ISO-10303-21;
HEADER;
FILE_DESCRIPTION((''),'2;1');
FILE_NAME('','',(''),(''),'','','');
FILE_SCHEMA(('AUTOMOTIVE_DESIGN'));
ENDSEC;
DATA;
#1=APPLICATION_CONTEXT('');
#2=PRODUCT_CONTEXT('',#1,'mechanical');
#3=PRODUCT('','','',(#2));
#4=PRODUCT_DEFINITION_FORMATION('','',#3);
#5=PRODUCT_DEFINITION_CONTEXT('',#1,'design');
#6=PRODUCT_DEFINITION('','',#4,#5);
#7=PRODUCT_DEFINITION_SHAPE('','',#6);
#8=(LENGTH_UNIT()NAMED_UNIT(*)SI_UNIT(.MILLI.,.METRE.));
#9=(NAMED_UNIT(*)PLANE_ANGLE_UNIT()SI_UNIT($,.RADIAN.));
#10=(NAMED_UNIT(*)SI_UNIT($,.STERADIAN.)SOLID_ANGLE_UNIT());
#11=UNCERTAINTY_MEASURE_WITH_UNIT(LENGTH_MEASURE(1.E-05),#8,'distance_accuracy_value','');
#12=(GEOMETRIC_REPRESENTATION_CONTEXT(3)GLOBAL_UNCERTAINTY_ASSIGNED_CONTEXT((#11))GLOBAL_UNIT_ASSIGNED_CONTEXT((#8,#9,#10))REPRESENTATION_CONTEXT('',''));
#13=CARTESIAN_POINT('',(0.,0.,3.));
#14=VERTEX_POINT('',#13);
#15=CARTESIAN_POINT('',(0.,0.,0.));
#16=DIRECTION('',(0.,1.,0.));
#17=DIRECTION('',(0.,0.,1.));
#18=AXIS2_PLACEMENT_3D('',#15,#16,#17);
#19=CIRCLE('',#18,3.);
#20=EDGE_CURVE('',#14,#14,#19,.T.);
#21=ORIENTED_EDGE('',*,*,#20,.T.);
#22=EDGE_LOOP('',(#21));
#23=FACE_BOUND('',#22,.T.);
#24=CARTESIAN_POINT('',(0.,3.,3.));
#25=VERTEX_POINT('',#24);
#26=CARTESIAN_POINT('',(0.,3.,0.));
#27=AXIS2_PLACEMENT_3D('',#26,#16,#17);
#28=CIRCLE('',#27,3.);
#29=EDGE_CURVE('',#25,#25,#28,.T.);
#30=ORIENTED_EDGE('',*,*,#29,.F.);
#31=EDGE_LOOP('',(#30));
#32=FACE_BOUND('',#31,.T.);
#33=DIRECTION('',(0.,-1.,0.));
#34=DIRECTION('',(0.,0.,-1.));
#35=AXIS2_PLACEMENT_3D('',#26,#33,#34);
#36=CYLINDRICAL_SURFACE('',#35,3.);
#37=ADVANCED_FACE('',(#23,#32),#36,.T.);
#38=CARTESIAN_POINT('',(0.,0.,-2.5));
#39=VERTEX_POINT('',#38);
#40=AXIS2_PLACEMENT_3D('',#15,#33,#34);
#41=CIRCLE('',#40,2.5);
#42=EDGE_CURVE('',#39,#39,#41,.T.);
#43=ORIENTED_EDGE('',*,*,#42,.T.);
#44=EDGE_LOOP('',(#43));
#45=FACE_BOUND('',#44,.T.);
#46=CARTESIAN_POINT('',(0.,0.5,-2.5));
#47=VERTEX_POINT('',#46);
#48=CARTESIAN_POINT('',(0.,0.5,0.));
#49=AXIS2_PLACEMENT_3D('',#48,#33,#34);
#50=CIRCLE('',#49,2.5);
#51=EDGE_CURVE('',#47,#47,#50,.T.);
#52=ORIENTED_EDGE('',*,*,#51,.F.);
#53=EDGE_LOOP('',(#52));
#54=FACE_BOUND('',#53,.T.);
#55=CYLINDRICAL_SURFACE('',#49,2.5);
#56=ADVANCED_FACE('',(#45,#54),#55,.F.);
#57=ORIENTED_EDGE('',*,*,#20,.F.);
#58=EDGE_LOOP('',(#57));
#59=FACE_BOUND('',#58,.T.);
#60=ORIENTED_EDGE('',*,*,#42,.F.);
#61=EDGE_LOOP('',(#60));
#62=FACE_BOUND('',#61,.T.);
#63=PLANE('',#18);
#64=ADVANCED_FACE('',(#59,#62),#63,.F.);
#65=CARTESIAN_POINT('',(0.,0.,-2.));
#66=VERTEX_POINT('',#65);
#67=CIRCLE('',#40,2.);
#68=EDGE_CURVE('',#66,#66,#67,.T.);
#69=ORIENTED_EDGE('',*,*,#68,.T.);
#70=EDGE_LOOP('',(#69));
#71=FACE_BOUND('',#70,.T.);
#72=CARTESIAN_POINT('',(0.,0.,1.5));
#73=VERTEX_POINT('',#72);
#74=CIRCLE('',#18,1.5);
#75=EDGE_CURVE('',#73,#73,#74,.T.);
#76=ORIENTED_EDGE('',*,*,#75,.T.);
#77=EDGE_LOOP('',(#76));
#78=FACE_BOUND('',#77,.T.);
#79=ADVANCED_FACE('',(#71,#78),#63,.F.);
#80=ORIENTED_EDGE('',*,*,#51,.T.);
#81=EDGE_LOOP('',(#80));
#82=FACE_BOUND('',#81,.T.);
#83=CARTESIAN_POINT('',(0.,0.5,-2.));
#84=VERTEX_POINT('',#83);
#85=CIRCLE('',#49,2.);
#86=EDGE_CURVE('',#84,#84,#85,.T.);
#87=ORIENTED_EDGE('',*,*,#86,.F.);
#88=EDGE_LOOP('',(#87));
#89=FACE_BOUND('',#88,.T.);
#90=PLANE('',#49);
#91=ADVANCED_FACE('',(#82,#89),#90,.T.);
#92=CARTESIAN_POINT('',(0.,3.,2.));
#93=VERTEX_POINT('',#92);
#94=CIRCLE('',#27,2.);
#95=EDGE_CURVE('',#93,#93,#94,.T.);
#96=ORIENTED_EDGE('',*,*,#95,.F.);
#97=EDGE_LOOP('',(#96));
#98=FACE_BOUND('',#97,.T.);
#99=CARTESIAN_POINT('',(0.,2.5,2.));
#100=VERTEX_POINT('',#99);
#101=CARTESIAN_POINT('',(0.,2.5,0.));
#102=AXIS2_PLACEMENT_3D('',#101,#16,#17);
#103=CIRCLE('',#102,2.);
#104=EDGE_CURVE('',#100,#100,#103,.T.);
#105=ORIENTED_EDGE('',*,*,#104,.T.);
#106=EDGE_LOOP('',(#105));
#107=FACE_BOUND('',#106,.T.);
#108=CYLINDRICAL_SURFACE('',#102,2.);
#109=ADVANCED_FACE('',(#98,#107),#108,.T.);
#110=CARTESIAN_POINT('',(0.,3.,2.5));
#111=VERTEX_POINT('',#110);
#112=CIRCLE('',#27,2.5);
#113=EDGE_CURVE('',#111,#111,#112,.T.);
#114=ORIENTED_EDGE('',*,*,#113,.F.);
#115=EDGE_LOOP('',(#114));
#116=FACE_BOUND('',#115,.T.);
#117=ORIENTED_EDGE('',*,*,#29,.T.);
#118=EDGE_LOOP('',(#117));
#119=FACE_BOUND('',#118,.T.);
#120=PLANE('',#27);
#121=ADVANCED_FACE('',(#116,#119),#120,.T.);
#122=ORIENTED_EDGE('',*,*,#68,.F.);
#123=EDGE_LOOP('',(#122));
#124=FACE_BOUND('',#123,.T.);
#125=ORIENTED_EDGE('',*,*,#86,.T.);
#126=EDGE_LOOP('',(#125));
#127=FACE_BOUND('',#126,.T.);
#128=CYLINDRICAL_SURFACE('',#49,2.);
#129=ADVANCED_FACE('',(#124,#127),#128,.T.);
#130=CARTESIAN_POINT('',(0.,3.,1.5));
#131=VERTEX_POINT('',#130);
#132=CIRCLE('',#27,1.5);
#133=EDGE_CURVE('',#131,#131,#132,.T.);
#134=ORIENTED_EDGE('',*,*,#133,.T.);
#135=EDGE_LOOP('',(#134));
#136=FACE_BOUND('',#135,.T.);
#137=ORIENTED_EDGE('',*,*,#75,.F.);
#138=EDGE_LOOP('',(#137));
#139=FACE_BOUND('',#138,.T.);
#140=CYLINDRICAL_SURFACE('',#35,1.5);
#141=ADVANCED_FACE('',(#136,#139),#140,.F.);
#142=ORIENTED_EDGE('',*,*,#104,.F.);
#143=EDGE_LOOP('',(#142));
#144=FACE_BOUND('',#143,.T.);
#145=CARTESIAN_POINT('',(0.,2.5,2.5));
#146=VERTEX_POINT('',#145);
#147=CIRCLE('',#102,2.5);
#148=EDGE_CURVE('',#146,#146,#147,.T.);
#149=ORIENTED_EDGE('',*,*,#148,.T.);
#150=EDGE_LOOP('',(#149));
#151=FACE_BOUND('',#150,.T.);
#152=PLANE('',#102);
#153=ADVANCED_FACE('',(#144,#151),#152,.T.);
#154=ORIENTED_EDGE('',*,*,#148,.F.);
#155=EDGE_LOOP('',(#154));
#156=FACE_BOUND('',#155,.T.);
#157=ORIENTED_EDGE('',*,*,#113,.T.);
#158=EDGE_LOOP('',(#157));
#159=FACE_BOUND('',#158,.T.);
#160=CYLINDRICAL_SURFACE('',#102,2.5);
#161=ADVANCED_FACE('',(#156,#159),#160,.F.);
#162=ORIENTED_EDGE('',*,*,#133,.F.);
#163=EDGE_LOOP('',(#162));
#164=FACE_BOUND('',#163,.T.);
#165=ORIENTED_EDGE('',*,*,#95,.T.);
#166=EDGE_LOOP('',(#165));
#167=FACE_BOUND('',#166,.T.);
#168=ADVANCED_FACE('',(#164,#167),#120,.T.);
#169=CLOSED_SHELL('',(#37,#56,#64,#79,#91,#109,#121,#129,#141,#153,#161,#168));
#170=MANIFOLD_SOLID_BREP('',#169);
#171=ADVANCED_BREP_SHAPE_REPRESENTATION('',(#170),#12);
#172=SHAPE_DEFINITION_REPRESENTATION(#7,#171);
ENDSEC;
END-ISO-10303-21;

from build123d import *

# Parameters (mm, degrees)
SKETCH1_R           = 3
SKETCH1_R_2         = 1.5
BOSS_EXTRUDE1_DEPTH = 3
SKETCH2_R           = 2.5
SKETCH2_R_2         = 2
CUT_EXTRUDE1_DEPTH  = 0.5
CUT_EXTRUDE2_START  = -0.5
SKETCH3_R           = 2.5
SKETCH3_R_2         = 2
CUT_EXTRUDE2_DEPTH  = 0.5


with BuildPart() as part:
    # Sketch1 → Boss-Extrude1 (new body)
    with BuildSketch(Plane(origin=(0, 0, 0), x_dir=(1, 0, 0), z_dir=(0, 1, 0))):
        with Locations(Location((0, 0, 0), (0, 0, 270))):
            Circle(SKETCH1_R)
        with Locations(Location((0, 0, 0), (0, 0, 270))):
            Circle(SKETCH1_R_2, mode=Mode.SUBTRACT)
    extrude(amount=BOSS_EXTRUDE1_DEPTH)

    # Sketch2 → Cut-Extrude1 (cut)
    with BuildSketch(Plane(origin=(0, 3, 0), x_dir=(1, 0, 0), z_dir=(0, 1, 0))):
        with Locations(Location((0, 0, 0), (0, 0, 270))):
            Circle(SKETCH2_R)
        with Locations(Location((0, 0, 0), (0, 0, 270))):
            Circle(SKETCH2_R_2, mode=Mode.SUBTRACT)
    extrude(amount=-CUT_EXTRUDE1_DEPTH, mode=Mode.SUBTRACT)

    # Sketch3 → Cut-Extrude2 (cut)
    with BuildSketch(Plane(origin=(0, 0, 0), x_dir=(-1, 0, 0), z_dir=(0, -1, 0)).offset(CUT_EXTRUDE2_START)):
        with Locations(Location((0, 0, 0), (0, 0, 270))):
            Circle(SKETCH3_R)
        with Locations(Location((0, 0, 0), (0, 0, 270))):
            Circle(SKETCH3_R_2, mode=Mode.SUBTRACT)
    extrude(amount=CUT_EXTRUDE2_DEPTH, mode=Mode.SUBTRACT)


solid = part.part
